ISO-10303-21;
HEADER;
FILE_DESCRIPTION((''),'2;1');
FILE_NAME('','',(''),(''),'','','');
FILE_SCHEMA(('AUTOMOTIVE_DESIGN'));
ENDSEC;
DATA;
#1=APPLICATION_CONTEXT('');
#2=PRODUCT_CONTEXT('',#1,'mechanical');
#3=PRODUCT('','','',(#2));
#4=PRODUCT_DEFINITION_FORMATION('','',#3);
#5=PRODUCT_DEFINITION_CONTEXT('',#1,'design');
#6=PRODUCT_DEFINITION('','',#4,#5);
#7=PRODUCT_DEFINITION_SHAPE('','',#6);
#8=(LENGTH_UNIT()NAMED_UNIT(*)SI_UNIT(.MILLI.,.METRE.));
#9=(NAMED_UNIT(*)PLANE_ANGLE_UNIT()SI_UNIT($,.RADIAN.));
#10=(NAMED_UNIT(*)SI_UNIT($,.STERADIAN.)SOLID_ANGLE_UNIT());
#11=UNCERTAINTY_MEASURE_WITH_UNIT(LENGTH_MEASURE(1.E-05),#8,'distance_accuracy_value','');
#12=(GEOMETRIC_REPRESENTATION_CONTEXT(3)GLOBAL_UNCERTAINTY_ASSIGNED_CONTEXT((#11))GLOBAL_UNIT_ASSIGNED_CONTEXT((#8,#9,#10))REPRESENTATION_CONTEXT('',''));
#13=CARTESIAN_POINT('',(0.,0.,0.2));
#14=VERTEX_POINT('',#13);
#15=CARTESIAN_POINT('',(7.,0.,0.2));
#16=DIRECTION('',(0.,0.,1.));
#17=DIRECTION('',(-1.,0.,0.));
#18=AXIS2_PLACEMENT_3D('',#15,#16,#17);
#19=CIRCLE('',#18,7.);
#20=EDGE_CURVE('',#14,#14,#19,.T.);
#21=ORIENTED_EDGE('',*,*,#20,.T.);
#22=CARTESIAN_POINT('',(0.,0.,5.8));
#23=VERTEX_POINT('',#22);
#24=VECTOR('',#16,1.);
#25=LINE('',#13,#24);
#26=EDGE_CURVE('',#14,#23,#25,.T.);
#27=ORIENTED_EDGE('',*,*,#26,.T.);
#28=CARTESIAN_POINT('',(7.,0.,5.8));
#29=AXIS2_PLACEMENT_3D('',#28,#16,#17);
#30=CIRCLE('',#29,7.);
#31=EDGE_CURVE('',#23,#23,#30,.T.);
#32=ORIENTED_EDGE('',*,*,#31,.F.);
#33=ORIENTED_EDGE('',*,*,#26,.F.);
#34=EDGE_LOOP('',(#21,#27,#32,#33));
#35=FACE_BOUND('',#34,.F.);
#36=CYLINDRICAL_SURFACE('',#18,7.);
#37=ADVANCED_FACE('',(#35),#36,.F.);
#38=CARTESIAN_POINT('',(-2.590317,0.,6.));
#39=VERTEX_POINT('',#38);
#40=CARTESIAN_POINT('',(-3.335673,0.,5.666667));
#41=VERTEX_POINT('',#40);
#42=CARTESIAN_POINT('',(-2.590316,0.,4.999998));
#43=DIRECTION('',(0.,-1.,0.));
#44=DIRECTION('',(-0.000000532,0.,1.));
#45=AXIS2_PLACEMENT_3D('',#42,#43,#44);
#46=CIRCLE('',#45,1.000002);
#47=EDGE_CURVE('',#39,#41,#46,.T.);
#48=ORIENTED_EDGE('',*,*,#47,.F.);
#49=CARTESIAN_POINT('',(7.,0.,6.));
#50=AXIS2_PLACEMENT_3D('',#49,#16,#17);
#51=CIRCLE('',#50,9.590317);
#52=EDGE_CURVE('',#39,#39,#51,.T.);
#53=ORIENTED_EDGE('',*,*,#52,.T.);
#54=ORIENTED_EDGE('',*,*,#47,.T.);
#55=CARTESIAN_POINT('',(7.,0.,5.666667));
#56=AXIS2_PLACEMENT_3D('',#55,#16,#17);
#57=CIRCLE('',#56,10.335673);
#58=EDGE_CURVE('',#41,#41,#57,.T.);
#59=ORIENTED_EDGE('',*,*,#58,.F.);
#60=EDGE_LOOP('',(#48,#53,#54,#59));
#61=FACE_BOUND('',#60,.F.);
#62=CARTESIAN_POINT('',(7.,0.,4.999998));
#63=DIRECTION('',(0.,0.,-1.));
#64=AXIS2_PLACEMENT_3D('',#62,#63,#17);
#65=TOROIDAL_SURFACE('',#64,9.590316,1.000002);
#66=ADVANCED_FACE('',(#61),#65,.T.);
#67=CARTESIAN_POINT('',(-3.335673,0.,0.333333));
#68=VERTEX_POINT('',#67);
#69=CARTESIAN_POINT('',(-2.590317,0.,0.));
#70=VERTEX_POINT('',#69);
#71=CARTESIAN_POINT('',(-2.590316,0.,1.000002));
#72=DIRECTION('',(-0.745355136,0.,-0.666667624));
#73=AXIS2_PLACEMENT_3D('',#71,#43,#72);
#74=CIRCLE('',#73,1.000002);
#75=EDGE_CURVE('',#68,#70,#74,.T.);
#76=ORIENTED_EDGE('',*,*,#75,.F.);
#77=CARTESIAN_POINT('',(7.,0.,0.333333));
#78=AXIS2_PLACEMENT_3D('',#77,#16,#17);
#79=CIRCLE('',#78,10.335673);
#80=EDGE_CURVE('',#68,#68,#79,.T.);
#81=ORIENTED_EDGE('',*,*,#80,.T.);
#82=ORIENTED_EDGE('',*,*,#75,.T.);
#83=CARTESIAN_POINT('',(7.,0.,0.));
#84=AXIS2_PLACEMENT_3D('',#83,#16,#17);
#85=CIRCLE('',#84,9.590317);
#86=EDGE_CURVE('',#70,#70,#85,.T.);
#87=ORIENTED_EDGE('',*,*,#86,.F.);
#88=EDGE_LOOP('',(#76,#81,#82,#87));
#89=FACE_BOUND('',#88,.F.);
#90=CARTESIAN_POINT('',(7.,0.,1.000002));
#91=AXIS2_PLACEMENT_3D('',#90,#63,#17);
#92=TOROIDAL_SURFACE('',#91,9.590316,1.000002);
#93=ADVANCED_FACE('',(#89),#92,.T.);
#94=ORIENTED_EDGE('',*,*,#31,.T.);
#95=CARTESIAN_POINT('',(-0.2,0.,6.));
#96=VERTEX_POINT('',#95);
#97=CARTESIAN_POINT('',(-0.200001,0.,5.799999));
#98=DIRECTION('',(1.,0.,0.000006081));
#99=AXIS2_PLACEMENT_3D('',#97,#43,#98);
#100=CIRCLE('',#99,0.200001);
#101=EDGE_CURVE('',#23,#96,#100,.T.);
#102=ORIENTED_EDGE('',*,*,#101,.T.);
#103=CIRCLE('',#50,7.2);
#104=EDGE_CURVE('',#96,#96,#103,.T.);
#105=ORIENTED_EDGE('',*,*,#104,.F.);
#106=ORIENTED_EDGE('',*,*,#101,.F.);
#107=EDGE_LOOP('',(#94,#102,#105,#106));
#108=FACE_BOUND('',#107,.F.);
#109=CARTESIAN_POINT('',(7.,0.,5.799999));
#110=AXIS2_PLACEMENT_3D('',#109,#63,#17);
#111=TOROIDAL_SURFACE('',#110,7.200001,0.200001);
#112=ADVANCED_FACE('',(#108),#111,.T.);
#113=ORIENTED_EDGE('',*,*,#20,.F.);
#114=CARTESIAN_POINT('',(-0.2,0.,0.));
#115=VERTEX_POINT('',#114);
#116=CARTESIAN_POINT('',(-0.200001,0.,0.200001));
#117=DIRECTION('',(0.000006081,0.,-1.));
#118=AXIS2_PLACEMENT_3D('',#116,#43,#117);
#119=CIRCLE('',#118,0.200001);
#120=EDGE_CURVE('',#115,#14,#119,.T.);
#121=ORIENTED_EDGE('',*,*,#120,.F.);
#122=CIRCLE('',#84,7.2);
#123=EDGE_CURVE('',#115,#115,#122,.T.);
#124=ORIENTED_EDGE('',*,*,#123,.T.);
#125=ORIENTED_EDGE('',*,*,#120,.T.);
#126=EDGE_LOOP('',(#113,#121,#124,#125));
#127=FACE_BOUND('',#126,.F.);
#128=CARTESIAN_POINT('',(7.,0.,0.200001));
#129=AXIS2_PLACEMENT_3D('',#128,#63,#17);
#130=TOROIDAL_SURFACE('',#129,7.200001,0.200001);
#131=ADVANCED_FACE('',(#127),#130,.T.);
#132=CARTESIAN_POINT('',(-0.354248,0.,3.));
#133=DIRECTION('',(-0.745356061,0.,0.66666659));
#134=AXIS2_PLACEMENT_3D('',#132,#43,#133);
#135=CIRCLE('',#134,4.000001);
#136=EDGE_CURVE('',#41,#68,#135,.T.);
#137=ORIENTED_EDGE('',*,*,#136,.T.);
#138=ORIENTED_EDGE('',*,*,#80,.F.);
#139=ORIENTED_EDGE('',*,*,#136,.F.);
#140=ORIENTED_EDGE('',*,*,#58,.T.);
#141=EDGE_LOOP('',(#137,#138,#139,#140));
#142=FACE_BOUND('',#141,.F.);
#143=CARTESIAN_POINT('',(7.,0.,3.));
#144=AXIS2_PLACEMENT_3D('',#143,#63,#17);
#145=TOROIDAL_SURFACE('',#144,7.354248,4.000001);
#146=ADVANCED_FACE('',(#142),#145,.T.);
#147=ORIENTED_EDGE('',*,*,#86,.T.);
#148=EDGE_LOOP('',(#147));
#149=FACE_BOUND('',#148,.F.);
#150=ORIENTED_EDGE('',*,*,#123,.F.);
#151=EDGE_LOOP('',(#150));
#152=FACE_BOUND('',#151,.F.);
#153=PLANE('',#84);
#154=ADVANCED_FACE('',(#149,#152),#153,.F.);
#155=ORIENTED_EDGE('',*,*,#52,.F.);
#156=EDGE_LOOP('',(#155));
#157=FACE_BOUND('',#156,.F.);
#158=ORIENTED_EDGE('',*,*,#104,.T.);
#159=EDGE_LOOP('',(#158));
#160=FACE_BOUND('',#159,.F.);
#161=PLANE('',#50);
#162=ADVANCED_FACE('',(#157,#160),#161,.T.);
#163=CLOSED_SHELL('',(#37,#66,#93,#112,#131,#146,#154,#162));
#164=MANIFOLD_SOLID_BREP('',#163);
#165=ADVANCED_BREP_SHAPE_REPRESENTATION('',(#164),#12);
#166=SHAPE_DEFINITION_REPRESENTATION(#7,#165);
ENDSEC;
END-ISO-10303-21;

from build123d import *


with BuildPart() as f1:
    # F0 (on Front) → F1 (revolve)
    with BuildSketch(Plane.XZ):
        with BuildLine():
            ThreePointArc((-0.2, 0), (-0.058579, 0.058579), (0, 0.2))
            Line((0, 0.2), (0, 5.8))
            ThreePointArc((0, 5.8), (-0.058579, 5.941421), (-0.2, 6))
            Line((-0.2, 6), (-2.590317, 6))
            ThreePointArc((-2.590317, 6), (-2.998565, 5.912871), (-3.335673, 5.666667))
            ThreePointArc((-3.335673, 5.666667), (-4.354249, 3), (-3.335673, 0.333333))
            ThreePointArc((-3.335673, 0.333333), (-2.998565, 0.087129), (-2.590317, 0))
            Line((-2.590317, 0), (-0.2, 0))
        make_face()
    revolve(axis=Axis((7, 0, 3), (0, 0, 1)))


solid = f1.part
